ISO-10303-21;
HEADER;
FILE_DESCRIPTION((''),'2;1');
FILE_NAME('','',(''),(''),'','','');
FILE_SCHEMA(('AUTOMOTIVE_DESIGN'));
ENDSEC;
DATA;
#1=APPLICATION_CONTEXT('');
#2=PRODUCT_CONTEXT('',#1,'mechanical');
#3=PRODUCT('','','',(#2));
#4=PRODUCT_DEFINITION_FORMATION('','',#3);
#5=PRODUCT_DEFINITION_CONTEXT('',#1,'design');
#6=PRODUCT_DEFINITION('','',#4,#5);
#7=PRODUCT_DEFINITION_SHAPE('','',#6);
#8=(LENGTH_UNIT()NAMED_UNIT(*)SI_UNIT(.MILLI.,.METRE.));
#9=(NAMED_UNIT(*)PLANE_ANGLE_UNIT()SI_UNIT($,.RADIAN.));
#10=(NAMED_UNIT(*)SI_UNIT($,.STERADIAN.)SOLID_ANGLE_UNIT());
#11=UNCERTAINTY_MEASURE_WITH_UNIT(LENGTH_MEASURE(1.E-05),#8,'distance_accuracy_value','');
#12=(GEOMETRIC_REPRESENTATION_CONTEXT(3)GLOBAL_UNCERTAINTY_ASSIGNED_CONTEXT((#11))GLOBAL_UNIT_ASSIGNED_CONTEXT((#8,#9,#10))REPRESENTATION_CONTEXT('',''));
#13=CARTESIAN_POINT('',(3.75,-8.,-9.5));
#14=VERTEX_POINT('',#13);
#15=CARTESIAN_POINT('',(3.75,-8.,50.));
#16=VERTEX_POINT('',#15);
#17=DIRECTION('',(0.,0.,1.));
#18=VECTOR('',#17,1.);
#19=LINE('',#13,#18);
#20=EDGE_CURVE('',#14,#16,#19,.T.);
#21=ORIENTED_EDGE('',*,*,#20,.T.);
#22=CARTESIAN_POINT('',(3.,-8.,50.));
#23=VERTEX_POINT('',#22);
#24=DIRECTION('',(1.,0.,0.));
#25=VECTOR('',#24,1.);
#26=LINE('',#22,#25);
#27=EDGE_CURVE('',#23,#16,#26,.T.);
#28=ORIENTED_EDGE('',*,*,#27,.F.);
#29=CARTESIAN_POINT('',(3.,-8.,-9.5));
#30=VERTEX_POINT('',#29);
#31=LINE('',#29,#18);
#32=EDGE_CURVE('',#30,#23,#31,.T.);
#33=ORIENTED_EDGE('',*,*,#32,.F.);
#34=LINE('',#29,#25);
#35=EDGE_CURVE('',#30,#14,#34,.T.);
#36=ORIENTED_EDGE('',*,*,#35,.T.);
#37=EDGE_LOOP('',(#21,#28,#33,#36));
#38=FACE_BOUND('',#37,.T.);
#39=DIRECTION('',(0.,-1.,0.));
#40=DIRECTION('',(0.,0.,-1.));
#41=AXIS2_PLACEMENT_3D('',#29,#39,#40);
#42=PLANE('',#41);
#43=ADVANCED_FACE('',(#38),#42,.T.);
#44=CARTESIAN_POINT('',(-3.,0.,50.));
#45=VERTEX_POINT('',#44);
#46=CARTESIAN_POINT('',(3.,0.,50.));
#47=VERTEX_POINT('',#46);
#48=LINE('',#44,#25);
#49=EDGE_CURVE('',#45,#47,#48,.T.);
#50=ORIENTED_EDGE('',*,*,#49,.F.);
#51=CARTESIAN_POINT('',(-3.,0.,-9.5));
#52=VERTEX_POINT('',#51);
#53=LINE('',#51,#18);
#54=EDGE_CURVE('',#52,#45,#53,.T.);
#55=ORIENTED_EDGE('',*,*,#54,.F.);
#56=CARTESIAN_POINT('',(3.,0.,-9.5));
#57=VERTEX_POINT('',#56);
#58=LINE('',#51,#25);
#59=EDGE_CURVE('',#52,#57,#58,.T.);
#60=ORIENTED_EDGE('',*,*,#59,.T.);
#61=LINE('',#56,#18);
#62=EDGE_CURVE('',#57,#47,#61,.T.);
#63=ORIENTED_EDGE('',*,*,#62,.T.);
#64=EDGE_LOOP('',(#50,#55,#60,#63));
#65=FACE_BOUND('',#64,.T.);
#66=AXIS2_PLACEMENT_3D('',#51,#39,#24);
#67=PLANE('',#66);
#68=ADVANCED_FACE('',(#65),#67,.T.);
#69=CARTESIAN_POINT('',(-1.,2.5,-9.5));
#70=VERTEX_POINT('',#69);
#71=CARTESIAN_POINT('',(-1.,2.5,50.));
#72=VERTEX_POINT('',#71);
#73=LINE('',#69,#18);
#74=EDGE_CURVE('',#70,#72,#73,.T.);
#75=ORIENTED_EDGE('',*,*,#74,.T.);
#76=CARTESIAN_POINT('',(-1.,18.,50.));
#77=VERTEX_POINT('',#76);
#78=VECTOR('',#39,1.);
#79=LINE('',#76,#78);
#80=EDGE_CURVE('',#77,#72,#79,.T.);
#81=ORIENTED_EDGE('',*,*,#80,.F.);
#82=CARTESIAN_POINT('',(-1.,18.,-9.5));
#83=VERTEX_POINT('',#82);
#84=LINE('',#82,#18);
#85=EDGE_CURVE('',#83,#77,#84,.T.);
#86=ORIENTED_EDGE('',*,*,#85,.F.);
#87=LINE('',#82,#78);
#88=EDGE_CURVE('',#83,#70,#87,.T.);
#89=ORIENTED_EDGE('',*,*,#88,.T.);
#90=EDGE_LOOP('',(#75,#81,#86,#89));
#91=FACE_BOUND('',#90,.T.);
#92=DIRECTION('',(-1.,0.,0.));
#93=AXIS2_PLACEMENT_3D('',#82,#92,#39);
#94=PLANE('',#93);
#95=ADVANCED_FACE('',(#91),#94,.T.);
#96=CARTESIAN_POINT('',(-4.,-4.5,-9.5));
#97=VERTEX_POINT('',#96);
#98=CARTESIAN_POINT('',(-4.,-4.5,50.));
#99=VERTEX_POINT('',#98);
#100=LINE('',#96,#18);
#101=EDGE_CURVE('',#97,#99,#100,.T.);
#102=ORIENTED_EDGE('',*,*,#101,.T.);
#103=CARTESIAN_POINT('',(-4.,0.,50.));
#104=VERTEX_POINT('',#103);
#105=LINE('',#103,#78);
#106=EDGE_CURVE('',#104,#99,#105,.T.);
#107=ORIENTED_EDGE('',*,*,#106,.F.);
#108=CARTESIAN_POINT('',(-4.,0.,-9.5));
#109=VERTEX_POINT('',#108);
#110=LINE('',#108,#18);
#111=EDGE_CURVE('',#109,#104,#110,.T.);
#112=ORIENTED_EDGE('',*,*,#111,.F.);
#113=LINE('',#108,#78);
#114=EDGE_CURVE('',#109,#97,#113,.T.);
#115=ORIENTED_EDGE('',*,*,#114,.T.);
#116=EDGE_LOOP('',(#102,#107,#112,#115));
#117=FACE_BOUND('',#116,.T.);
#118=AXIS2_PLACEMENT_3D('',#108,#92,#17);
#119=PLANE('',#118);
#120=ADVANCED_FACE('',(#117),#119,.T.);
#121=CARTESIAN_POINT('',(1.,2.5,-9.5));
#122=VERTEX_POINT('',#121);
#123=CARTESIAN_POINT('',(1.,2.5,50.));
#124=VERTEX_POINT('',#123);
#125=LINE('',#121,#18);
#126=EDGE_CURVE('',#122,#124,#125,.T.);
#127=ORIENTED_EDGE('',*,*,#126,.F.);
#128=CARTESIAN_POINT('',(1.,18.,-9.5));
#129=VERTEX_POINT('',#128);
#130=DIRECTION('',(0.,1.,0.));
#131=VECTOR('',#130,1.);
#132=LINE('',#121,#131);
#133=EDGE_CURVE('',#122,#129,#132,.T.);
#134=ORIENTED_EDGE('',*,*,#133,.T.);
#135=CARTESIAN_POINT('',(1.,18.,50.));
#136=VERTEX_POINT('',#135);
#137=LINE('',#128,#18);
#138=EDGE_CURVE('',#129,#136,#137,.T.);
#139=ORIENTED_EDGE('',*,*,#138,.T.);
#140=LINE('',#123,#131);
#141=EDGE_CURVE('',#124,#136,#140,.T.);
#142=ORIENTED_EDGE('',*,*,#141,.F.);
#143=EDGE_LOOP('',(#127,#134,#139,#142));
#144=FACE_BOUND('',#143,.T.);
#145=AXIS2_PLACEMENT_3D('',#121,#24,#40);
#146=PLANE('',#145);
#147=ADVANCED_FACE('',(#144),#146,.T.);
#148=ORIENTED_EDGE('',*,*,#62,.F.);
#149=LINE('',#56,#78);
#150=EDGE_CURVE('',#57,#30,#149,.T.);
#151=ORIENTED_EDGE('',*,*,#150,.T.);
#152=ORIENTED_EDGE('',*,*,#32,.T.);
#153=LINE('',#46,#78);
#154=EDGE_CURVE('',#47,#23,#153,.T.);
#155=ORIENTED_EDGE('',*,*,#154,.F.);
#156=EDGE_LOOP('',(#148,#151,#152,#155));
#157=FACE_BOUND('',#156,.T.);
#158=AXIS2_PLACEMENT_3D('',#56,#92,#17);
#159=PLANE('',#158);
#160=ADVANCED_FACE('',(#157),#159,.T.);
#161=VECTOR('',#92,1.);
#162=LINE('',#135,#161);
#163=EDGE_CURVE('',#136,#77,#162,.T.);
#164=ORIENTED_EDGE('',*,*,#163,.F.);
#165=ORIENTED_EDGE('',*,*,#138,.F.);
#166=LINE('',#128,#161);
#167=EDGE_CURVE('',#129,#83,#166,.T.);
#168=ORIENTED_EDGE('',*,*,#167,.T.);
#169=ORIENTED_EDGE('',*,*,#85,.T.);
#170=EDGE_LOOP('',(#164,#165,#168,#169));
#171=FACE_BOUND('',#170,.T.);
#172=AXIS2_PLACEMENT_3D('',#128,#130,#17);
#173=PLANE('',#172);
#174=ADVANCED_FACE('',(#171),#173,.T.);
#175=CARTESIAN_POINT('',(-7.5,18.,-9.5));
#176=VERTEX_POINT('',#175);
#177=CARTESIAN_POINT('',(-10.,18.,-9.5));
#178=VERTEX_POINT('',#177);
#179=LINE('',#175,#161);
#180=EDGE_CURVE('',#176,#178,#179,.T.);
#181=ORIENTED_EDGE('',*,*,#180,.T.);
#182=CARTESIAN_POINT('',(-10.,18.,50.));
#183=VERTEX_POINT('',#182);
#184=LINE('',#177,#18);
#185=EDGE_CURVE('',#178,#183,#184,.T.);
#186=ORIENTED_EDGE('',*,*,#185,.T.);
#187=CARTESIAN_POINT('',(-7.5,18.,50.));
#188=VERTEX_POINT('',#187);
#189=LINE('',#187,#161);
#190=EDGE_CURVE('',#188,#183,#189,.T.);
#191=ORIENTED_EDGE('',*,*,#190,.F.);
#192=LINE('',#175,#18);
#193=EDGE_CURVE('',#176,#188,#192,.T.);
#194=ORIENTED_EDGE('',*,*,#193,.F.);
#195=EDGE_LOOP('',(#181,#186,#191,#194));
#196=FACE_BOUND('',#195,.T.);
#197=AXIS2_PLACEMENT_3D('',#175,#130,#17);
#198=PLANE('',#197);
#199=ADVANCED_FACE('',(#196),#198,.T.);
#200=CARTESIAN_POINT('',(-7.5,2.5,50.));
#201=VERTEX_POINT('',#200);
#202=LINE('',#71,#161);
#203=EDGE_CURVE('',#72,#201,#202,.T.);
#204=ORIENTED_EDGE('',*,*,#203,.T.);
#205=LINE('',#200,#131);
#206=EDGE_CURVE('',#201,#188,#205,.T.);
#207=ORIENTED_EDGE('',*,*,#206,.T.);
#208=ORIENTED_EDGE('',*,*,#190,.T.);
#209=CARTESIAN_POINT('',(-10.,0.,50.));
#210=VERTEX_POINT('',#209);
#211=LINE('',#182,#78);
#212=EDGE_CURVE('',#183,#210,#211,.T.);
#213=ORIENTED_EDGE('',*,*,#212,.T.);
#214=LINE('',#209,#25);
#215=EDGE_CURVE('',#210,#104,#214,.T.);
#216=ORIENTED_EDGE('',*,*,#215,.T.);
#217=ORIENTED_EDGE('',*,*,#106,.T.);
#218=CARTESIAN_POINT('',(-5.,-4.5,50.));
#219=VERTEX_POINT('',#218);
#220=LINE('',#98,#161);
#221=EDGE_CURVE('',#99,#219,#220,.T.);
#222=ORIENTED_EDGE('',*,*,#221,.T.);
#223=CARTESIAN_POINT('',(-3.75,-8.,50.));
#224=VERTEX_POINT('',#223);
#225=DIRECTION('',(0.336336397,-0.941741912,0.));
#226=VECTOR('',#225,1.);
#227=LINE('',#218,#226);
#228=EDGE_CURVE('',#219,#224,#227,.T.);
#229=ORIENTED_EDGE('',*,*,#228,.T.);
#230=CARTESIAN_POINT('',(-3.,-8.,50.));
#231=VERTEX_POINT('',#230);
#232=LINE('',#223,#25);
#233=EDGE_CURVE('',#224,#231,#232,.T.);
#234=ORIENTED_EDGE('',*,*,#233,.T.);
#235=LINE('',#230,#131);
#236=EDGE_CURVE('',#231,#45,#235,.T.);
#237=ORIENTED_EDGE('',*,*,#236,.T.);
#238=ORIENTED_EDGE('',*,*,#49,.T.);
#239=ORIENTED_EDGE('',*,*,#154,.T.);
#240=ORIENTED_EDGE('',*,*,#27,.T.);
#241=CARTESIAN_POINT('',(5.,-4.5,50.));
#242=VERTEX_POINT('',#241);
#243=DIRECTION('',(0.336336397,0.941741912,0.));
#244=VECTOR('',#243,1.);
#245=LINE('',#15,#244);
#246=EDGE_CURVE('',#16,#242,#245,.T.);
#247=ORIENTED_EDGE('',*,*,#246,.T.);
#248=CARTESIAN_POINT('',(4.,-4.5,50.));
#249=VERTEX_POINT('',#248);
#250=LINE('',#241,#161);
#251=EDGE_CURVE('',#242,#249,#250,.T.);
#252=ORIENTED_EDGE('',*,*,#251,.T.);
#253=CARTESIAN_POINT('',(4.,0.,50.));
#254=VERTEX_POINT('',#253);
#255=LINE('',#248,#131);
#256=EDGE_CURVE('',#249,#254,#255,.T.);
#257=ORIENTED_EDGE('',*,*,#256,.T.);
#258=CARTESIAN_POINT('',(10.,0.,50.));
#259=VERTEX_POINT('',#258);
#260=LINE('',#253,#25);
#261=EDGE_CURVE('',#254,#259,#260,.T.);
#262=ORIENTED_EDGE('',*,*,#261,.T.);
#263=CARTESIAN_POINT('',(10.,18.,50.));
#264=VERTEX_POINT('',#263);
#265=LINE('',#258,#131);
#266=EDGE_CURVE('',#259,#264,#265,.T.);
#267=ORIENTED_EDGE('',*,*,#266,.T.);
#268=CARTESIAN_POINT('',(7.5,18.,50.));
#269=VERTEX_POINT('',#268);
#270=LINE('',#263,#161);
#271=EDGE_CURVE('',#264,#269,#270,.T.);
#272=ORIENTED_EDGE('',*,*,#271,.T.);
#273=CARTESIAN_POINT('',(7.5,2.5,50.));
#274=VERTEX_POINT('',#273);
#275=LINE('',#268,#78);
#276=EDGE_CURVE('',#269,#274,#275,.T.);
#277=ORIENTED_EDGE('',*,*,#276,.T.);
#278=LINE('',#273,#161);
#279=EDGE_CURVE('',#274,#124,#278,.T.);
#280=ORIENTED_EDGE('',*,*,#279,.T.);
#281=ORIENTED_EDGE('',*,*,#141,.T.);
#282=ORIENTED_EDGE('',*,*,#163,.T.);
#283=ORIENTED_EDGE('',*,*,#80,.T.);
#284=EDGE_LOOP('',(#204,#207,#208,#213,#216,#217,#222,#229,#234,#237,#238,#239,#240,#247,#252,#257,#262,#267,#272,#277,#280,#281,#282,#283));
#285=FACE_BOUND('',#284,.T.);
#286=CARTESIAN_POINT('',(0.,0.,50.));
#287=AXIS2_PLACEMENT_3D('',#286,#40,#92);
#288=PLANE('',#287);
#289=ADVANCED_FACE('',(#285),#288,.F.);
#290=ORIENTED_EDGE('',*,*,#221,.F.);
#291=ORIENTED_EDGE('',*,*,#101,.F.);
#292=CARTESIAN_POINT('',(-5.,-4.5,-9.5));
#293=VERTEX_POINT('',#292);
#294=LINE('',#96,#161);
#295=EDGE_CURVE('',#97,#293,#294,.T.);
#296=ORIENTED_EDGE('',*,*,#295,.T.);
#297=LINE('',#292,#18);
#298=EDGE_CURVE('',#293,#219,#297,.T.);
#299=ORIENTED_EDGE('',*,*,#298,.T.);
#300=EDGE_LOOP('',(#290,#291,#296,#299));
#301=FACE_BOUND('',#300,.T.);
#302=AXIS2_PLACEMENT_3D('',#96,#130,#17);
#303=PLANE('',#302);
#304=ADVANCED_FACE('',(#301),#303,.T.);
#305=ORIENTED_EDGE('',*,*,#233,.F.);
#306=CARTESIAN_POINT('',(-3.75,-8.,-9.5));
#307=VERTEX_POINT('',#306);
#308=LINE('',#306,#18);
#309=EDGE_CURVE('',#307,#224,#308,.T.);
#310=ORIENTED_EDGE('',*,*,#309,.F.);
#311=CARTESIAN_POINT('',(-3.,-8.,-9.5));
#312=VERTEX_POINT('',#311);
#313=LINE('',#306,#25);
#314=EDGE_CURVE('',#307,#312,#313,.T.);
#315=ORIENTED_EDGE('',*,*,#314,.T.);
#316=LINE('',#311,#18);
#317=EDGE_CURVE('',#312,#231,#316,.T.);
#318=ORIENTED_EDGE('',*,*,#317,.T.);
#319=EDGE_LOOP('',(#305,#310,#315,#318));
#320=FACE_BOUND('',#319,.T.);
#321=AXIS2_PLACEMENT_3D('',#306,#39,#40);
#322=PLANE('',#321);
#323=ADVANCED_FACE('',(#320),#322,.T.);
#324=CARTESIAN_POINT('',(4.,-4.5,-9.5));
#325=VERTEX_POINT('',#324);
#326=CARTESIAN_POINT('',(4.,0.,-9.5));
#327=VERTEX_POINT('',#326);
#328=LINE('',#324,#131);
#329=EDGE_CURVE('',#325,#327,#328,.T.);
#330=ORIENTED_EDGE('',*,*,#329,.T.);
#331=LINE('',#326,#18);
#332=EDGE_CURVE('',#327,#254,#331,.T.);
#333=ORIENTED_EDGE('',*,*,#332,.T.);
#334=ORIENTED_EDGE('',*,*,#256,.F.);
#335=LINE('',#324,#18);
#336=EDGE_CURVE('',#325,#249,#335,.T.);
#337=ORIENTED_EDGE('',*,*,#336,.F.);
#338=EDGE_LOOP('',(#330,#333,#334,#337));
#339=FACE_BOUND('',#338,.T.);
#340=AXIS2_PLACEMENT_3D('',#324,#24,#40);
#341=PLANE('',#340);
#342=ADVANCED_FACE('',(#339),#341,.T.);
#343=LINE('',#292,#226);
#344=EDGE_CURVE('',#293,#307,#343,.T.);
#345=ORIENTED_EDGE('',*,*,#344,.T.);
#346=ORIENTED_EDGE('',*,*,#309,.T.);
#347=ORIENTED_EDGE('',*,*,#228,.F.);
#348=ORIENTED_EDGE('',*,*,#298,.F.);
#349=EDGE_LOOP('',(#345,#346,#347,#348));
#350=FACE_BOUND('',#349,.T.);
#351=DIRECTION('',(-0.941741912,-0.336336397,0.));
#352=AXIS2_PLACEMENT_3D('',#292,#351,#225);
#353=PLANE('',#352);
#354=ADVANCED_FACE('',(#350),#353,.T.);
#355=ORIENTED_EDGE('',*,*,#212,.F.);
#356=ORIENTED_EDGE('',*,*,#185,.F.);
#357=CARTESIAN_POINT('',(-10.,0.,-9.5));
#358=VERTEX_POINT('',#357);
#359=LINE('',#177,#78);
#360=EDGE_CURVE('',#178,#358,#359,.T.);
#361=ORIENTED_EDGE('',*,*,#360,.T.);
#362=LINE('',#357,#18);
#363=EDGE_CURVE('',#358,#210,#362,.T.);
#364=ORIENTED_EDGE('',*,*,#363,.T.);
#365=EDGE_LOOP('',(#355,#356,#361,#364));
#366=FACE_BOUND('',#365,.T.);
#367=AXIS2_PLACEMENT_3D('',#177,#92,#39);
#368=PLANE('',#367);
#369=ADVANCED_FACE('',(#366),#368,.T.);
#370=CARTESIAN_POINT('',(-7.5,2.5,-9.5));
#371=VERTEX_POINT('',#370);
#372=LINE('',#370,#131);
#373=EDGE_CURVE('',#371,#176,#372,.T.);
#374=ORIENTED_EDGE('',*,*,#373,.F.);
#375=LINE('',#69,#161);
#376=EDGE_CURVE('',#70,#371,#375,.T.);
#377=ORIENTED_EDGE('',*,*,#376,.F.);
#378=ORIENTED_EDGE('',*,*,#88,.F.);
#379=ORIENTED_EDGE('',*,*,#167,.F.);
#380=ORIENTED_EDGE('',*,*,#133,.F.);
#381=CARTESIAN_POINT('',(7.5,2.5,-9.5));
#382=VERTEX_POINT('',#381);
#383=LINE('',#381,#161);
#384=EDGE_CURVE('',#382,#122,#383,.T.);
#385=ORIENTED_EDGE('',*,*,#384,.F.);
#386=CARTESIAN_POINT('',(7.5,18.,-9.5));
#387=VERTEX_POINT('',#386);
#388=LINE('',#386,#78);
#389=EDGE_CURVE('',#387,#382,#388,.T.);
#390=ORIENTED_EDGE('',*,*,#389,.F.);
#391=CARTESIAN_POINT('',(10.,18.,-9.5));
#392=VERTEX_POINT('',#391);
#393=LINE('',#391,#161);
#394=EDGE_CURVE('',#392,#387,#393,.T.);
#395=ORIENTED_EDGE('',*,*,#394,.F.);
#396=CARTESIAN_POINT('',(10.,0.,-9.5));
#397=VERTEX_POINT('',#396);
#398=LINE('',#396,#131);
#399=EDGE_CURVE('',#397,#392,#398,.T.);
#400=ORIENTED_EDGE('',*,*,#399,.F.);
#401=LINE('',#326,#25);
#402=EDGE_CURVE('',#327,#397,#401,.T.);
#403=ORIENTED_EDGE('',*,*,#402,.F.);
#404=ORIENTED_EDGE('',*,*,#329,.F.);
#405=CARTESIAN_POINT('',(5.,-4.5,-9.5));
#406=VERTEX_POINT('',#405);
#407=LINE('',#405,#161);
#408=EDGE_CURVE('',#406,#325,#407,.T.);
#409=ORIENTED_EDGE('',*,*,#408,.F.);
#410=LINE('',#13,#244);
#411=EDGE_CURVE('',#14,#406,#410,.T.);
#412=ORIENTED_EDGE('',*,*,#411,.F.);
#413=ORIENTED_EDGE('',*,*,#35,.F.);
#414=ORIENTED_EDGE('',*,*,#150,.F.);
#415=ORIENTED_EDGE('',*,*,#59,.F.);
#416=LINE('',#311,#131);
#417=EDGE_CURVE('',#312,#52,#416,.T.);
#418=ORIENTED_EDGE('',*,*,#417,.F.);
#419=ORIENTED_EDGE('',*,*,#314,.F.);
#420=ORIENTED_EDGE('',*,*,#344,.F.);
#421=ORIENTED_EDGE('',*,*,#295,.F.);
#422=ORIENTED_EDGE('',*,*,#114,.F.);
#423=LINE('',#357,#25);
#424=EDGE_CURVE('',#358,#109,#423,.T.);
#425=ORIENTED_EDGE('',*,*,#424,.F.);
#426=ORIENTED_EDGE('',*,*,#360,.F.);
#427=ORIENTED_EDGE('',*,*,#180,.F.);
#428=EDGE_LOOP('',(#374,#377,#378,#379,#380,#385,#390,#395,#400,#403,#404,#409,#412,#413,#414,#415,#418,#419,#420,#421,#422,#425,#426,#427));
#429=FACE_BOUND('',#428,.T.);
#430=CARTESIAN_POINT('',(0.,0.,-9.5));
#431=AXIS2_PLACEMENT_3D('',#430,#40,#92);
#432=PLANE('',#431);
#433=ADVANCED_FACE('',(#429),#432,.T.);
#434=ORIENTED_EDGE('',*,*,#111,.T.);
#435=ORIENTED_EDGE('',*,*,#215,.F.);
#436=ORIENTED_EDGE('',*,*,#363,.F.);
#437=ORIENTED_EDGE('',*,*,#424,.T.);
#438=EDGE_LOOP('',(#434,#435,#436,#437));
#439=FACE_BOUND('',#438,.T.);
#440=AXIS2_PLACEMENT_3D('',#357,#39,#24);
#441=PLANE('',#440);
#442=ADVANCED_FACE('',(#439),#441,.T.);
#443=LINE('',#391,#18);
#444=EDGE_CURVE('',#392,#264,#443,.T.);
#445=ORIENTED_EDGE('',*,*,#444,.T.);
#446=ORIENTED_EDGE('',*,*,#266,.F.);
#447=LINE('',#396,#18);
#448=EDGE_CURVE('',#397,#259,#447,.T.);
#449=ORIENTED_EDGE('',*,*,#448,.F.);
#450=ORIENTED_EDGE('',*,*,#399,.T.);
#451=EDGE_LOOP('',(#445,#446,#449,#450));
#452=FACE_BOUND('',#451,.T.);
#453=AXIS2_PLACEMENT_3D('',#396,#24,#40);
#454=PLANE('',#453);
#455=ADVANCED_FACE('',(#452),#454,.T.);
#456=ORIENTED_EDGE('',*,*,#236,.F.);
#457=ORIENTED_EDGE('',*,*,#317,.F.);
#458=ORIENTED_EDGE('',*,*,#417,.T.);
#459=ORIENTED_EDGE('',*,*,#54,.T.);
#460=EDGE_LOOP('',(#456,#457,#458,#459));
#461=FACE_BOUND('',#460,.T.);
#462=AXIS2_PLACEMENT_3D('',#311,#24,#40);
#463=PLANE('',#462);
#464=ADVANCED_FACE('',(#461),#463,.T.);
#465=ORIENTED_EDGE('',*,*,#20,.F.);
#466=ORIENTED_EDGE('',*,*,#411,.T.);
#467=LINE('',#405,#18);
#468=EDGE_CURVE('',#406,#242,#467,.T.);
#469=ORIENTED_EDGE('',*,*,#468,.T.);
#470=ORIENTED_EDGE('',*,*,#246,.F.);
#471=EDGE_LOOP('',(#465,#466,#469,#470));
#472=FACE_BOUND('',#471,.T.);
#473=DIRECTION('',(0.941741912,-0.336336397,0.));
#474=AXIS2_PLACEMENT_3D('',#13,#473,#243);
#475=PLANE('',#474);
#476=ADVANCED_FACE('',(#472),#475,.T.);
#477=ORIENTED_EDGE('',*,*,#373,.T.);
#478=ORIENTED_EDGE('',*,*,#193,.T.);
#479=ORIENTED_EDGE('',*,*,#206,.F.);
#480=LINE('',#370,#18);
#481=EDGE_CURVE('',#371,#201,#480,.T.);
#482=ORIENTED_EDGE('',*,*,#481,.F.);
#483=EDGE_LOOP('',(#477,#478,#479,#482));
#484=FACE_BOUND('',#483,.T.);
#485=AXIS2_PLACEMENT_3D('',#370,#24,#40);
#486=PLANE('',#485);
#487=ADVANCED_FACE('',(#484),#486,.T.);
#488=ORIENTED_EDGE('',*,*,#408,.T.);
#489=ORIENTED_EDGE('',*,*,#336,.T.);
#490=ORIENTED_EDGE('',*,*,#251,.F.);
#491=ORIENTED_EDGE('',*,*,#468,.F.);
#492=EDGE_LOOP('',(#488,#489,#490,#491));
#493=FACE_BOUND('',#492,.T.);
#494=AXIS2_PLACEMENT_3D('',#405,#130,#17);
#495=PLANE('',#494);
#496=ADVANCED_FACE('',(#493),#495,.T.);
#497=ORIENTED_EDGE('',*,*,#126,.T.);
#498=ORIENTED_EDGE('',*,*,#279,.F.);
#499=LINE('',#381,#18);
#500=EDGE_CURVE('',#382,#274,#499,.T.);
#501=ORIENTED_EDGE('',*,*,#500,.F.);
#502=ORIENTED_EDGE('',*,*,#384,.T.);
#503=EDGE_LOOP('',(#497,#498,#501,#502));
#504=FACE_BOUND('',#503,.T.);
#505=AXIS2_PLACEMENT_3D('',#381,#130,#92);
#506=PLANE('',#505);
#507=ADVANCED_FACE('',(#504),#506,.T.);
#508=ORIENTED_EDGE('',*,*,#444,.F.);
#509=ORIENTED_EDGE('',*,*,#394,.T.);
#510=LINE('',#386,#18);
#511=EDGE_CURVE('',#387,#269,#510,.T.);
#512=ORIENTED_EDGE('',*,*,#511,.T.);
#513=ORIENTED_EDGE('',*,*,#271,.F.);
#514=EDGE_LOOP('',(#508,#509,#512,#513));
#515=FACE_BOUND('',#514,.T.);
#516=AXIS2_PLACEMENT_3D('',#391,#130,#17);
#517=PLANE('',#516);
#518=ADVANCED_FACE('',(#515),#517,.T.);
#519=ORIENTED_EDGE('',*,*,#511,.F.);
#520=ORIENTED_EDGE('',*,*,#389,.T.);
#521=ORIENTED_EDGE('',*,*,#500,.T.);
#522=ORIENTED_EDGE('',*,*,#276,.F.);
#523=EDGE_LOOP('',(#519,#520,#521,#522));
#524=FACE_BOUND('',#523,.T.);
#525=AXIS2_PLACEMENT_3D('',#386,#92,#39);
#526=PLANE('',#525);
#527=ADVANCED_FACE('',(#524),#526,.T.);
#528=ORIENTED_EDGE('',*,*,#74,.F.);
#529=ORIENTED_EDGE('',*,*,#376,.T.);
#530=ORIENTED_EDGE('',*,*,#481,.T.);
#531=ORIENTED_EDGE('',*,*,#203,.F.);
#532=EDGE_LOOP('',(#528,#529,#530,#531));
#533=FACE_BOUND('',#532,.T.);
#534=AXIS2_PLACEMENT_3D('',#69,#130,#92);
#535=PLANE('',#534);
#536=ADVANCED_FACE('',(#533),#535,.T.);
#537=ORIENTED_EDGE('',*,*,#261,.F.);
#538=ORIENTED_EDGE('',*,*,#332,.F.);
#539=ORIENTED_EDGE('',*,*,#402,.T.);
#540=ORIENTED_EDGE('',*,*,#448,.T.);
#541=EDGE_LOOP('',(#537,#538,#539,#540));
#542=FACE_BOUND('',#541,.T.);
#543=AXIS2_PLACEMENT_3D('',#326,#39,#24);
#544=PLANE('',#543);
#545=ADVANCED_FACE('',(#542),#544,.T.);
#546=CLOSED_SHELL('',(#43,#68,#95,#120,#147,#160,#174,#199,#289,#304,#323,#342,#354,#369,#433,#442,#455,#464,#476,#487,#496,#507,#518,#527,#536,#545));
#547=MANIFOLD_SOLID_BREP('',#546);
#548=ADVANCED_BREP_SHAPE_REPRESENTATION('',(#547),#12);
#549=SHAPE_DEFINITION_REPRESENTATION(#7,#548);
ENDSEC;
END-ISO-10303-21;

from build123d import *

# Parameters (mm, degrees)
BOSS_EXTRU_1_DEPTH = 59.5


with BuildPart() as part:
    # Esquisse1 → Boss.-Extru.1 (new body)
    with BuildSketch(Plane.XY.offset(50)):
        Polygon((-1, 2.5), (-7.5, 2.5), (-7.5, 17.999999998), (-10, 17.999999998), (-10, 0), (-4, 0), (-4, -4.5), (-5, -4.5), (-3.75, -8), (-3, -8), (-3, 0), (3, 0), (3, -8), (3.75, -8), (5, -4.5), (4, -4.5), (4, 0), (10, 0), (10, 17.999999998), (7.5, 17.999999998), (7.5, 2.5), (1, 2.5), (1, 17.999999998), (-1, 17.999999998), align=None)
    extrude(amount=-BOSS_EXTRU_1_DEPTH)


solid = part.part
